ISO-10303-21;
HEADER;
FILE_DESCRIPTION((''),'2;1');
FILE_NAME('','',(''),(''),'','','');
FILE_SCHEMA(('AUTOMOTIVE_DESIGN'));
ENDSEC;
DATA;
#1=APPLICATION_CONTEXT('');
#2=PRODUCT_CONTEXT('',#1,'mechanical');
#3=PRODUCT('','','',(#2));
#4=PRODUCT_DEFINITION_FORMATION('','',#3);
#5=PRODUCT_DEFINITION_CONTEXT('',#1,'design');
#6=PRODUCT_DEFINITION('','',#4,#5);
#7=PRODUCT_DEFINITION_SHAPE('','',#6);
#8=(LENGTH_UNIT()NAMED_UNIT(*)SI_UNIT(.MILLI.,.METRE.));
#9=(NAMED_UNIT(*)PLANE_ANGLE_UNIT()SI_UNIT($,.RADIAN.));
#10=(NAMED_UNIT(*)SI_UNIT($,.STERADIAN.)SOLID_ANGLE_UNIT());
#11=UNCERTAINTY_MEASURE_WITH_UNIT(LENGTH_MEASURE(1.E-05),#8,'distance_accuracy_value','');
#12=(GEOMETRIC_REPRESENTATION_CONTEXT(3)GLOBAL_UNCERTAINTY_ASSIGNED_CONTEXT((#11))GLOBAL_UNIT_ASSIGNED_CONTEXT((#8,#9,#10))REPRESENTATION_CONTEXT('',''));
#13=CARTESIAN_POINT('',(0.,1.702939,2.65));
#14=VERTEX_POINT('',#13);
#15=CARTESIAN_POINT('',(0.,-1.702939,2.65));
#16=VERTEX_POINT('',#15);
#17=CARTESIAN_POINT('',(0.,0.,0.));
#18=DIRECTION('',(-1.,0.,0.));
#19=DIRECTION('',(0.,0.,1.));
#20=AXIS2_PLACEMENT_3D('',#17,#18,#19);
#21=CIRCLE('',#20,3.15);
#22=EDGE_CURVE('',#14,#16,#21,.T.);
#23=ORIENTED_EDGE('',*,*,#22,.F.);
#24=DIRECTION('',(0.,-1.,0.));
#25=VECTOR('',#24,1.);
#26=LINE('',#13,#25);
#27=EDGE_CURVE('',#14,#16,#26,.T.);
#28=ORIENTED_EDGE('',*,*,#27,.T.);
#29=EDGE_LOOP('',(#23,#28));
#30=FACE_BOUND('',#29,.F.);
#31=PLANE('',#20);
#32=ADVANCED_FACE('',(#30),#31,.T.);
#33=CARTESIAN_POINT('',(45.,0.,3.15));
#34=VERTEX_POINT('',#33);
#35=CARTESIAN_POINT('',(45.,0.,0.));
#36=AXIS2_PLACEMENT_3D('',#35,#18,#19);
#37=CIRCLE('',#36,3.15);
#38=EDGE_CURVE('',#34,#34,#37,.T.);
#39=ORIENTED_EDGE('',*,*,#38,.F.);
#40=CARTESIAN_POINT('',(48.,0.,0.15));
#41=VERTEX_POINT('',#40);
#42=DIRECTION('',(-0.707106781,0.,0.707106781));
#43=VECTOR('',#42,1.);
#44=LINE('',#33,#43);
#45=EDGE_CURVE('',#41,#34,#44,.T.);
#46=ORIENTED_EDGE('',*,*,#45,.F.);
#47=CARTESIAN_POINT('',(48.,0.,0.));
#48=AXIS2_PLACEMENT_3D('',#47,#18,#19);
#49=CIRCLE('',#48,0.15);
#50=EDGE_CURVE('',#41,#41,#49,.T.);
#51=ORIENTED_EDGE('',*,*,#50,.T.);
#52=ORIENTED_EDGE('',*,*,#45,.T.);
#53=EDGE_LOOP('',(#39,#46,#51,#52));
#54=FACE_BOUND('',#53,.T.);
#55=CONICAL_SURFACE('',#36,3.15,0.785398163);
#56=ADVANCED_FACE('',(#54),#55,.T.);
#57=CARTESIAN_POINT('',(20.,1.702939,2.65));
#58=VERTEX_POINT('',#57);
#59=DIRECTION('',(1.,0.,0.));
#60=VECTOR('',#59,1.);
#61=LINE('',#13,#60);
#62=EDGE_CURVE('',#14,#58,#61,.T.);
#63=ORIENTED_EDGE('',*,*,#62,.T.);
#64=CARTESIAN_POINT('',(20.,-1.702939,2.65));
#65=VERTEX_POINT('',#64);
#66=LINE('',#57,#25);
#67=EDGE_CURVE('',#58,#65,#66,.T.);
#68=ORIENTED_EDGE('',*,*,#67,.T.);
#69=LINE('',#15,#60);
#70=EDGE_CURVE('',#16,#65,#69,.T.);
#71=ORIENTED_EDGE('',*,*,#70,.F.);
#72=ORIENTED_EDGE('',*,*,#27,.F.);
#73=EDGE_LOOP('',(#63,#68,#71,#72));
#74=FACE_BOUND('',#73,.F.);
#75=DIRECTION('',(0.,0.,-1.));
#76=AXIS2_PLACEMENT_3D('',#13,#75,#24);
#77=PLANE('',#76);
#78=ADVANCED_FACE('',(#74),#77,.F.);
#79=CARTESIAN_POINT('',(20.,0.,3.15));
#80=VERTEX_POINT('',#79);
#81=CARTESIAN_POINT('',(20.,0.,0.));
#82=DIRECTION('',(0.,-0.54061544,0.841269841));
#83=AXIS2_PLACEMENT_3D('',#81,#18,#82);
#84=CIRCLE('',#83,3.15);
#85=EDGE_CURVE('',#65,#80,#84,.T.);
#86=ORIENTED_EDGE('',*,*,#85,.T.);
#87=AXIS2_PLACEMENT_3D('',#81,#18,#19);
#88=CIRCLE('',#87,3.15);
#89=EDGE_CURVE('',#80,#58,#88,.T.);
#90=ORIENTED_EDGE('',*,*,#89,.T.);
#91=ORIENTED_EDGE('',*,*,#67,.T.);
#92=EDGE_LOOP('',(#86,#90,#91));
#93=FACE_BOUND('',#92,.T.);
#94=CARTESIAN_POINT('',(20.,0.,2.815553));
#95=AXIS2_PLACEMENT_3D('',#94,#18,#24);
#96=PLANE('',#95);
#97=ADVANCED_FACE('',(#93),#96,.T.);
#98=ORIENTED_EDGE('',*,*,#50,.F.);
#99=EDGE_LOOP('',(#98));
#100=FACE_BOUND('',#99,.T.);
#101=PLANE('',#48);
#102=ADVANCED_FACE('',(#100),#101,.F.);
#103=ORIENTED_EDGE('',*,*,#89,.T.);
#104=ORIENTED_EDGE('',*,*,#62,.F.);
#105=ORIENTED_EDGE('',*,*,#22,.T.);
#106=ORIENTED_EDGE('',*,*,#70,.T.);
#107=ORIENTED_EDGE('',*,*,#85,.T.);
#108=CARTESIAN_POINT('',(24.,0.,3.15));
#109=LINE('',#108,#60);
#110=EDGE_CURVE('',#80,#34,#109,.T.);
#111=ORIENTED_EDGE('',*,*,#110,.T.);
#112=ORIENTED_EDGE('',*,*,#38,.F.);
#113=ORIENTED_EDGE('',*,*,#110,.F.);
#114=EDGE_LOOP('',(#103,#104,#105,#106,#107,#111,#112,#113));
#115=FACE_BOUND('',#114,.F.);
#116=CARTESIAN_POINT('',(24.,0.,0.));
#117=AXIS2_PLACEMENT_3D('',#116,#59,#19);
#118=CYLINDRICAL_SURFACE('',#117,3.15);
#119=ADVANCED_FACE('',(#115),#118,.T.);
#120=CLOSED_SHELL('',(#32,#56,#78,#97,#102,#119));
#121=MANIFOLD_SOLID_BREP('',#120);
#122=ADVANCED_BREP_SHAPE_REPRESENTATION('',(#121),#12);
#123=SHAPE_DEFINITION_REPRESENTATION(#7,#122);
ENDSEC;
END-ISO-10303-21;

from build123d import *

# Parameters (mm, degrees)
F0_W     = 48
F0_H     = 3.15
F2_SIZE  = 3
F4_DEPTH = 20


with BuildPart() as f1:
    # F0 (on Front) → F1 (revolve)
    with BuildSketch(Plane.XZ):
        with Locations((24, 1.575)):
            Rectangle(F0_W, F0_H)
    revolve(axis=Axis((24, 0, 0), (-1, 0, 0)))

    # F2
    f2_edges = [f1.edges().sort_by_distance(p)[0] for p in [
        (48, 0, -3.15),
    ]]
    chamfer(f2_edges, length=F2_SIZE)

    # F3 (on face) → F4 (cut)
    with BuildSketch(Plane(origin=(0, 0, 0), x_dir=(0, -1, 0), z_dir=(-1, 0, 0))):
        with BuildLine():
            Line((-1.7029386366, 2.65), (1.7029386366, 2.65))
            ThreePointArc((1.7029386366, 2.65), (0.8874119675, 3.0224162519), (0, 3.15))
            ThreePointArc((0, 3.15), (-0.8874119675, 3.0224162519), (-1.7029386366, 2.65))
        make_face()
    extrude(amount=-F4_DEPTH, mode=Mode.SUBTRACT)


solid = f1.part
